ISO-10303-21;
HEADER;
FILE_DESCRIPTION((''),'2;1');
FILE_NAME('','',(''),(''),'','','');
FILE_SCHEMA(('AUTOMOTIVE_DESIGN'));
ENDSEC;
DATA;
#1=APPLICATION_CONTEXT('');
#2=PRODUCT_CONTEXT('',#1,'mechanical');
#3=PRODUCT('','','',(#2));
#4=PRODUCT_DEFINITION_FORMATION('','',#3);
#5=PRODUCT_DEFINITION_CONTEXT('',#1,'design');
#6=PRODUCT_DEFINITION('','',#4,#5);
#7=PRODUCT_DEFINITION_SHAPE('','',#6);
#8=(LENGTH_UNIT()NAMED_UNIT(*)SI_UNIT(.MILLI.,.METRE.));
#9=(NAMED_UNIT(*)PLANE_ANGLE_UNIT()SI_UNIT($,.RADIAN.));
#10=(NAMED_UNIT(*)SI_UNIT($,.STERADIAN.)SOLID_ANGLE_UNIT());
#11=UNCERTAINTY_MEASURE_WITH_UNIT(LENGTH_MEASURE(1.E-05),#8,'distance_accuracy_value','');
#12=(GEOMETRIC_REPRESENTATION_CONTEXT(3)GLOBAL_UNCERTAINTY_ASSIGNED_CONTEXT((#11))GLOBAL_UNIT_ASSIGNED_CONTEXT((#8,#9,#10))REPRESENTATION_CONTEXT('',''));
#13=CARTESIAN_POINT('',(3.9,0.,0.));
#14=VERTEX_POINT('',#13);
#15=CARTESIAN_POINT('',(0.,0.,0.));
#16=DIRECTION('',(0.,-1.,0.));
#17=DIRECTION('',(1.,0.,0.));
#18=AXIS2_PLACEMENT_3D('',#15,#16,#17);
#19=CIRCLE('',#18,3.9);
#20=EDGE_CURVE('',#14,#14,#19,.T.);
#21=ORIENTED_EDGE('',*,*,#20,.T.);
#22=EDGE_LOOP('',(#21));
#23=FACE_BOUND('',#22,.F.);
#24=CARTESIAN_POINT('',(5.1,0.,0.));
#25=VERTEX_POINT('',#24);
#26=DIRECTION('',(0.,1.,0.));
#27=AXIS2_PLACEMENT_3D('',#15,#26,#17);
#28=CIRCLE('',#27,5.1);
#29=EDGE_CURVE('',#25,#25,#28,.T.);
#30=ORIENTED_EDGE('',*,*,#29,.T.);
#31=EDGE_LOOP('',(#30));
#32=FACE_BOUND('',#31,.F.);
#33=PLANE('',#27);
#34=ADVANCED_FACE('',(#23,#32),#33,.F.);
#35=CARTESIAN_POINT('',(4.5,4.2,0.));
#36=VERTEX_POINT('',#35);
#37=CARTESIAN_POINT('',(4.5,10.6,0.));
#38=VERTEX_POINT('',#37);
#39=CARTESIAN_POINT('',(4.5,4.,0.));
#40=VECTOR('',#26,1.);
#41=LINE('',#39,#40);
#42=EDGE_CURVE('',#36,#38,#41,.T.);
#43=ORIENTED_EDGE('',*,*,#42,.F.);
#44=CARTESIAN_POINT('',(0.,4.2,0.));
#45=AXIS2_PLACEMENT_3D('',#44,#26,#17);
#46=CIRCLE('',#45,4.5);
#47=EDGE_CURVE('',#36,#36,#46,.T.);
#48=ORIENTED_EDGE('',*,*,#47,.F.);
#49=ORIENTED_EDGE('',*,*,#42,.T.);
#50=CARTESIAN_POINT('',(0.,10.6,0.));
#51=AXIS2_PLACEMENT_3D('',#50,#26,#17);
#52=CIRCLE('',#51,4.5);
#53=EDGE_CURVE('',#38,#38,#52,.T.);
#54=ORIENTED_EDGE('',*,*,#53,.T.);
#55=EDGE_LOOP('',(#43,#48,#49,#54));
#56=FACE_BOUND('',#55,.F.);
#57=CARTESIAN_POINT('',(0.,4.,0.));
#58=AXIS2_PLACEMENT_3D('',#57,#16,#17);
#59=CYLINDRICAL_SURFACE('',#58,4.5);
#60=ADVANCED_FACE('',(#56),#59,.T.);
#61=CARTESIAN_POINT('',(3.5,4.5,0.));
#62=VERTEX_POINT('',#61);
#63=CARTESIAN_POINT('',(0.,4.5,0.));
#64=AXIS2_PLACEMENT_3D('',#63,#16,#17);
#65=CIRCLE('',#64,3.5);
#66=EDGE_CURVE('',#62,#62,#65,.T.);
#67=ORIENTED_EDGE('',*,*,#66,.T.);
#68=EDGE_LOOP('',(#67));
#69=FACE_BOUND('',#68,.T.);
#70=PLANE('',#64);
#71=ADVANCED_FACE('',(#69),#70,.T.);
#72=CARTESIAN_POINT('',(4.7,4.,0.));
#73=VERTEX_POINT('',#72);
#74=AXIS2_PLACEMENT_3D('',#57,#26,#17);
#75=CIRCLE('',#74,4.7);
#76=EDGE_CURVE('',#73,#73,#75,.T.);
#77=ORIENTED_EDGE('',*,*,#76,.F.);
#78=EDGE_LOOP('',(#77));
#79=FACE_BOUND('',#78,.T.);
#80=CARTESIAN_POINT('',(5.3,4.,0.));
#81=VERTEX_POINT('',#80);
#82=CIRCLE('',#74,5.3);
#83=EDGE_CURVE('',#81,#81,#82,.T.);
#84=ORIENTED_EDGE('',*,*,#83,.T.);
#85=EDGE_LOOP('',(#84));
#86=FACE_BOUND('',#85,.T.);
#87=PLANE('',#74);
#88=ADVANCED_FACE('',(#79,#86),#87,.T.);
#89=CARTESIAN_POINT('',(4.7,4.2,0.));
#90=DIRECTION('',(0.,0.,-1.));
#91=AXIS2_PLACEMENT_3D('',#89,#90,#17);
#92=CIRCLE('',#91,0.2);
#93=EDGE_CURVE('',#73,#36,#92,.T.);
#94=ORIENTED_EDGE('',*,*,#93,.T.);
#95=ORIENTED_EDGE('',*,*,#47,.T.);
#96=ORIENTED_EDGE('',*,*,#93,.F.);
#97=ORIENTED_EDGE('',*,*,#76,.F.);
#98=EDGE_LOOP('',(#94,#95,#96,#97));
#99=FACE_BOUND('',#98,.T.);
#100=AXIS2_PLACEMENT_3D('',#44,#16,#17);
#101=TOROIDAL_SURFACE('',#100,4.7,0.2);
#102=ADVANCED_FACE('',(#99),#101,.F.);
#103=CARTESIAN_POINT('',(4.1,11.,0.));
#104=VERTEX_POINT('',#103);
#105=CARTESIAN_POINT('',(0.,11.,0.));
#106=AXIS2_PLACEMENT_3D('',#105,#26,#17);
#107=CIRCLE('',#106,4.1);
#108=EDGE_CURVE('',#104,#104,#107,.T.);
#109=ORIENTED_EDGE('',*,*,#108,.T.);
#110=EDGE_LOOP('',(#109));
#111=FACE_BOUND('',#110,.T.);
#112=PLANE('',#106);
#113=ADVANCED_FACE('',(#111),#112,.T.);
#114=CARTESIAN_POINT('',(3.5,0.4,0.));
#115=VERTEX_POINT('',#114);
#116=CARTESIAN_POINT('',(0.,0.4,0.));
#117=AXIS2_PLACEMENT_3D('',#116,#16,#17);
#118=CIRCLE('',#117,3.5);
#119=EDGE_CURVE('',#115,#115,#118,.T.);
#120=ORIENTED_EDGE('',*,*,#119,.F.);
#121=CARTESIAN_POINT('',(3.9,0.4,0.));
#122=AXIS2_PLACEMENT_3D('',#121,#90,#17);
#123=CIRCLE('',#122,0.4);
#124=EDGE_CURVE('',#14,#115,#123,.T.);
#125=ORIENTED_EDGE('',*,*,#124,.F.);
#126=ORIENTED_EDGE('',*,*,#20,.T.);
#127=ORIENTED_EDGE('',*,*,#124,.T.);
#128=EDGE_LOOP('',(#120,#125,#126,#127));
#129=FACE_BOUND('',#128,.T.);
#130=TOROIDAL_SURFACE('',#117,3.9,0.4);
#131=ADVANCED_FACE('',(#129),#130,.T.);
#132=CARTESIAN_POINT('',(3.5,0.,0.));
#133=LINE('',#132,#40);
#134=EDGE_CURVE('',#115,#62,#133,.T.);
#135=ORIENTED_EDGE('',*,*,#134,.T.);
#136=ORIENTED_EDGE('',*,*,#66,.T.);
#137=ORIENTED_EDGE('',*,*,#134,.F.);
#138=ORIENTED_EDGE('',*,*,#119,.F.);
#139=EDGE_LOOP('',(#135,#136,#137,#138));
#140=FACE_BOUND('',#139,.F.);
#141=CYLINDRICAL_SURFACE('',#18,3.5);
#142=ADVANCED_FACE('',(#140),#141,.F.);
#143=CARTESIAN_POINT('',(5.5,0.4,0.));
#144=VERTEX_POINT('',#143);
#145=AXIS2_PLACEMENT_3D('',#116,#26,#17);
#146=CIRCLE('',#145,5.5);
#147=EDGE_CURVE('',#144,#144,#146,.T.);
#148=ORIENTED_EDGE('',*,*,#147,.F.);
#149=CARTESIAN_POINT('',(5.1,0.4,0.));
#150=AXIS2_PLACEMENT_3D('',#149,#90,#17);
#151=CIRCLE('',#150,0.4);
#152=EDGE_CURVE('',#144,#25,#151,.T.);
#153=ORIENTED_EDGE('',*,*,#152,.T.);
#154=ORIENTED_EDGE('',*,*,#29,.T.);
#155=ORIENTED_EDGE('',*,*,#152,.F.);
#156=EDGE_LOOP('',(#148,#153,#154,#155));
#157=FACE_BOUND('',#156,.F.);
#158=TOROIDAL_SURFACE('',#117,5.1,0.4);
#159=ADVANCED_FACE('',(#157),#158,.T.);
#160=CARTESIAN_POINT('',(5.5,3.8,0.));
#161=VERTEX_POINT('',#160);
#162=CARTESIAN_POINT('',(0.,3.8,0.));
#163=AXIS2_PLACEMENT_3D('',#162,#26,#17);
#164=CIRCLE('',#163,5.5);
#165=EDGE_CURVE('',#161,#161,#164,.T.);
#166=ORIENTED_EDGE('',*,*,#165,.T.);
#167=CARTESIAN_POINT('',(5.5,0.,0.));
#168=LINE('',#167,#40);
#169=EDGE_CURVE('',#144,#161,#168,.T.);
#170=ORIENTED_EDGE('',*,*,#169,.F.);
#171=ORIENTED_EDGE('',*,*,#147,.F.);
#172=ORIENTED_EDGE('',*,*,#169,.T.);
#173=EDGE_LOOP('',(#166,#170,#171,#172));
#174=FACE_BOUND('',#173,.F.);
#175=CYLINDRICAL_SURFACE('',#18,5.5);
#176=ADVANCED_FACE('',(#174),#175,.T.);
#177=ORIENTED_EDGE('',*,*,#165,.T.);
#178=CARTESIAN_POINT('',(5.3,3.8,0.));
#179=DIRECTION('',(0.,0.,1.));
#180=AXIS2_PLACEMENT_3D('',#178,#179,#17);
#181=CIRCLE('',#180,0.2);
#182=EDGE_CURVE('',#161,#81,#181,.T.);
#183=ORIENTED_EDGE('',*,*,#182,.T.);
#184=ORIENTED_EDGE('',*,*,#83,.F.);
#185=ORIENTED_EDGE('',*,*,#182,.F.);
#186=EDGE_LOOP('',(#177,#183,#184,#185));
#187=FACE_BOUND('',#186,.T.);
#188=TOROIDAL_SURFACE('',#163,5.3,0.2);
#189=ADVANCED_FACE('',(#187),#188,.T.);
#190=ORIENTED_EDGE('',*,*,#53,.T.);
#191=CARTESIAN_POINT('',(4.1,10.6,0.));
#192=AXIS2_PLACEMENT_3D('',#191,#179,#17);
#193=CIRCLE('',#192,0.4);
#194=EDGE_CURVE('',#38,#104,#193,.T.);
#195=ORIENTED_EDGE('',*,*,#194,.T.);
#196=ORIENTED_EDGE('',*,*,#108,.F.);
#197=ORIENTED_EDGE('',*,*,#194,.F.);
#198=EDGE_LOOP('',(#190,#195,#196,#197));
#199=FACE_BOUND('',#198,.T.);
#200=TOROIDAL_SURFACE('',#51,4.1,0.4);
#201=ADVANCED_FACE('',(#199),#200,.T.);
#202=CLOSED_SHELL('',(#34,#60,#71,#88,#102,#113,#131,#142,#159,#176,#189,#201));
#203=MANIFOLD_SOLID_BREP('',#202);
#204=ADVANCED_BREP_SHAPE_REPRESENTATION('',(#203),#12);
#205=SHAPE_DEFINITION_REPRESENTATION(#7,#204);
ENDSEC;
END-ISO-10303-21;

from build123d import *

# Parameters (mm, degrees)
SKETCH_2_R          = 5.5
EXTRUDE_1_DEPTH     = 4
SKETCH_3_R          = 4.5
EXTRUDE_2_DEPTH     = 7
SKETCH_4_R          = 3.5
CUT_EXTRUDE_1_DEPTH = 4.5
FILLET_1_R          = 0.4
FILLET_2_R          = 0.2


with BuildPart() as part:
    # 草图2 → 凸台-拉伸1 (new body)
    with BuildSketch(Plane(origin=(0, 0, 0), x_dir=(1, 0, 0), z_dir=(0, 1, 0))):
        Circle(SKETCH_2_R)
    extrude(amount=EXTRUDE_1_DEPTH)

    # 草图3 → 凸台-拉伸2 (add)
    with BuildSketch(Plane(origin=(0, 4, 0), x_dir=(1, 0, 0), z_dir=(0, 1, 0))):
        Circle(SKETCH_3_R)
    extrude(amount=EXTRUDE_2_DEPTH)

    # 草图4 → 切除-拉伸1 (cut)
    with BuildSketch(Plane.XZ):
        Circle(SKETCH_4_R)
    extrude(amount=-CUT_EXTRUDE_1_DEPTH, mode=Mode.SUBTRACT)

    # 圆角1
    fillet_1_edges = [part.edges().sort_by_distance(p)[0] for p in [
        (-3.5, 0, 0),
        (-5.5, 0, 0),
        (-4.5, 11, 0),
    ]]
    fillet(fillet_1_edges, radius=FILLET_1_R)

    # 圆角2
    fillet_2_edges = [part.edges().sort_by_distance(p)[0] for p in [
        (-5.5, 4, 0),
        (-4.5, 4, 0),
    ]]
    fillet(fillet_2_edges, radius=FILLET_2_R)


solid = part.part
